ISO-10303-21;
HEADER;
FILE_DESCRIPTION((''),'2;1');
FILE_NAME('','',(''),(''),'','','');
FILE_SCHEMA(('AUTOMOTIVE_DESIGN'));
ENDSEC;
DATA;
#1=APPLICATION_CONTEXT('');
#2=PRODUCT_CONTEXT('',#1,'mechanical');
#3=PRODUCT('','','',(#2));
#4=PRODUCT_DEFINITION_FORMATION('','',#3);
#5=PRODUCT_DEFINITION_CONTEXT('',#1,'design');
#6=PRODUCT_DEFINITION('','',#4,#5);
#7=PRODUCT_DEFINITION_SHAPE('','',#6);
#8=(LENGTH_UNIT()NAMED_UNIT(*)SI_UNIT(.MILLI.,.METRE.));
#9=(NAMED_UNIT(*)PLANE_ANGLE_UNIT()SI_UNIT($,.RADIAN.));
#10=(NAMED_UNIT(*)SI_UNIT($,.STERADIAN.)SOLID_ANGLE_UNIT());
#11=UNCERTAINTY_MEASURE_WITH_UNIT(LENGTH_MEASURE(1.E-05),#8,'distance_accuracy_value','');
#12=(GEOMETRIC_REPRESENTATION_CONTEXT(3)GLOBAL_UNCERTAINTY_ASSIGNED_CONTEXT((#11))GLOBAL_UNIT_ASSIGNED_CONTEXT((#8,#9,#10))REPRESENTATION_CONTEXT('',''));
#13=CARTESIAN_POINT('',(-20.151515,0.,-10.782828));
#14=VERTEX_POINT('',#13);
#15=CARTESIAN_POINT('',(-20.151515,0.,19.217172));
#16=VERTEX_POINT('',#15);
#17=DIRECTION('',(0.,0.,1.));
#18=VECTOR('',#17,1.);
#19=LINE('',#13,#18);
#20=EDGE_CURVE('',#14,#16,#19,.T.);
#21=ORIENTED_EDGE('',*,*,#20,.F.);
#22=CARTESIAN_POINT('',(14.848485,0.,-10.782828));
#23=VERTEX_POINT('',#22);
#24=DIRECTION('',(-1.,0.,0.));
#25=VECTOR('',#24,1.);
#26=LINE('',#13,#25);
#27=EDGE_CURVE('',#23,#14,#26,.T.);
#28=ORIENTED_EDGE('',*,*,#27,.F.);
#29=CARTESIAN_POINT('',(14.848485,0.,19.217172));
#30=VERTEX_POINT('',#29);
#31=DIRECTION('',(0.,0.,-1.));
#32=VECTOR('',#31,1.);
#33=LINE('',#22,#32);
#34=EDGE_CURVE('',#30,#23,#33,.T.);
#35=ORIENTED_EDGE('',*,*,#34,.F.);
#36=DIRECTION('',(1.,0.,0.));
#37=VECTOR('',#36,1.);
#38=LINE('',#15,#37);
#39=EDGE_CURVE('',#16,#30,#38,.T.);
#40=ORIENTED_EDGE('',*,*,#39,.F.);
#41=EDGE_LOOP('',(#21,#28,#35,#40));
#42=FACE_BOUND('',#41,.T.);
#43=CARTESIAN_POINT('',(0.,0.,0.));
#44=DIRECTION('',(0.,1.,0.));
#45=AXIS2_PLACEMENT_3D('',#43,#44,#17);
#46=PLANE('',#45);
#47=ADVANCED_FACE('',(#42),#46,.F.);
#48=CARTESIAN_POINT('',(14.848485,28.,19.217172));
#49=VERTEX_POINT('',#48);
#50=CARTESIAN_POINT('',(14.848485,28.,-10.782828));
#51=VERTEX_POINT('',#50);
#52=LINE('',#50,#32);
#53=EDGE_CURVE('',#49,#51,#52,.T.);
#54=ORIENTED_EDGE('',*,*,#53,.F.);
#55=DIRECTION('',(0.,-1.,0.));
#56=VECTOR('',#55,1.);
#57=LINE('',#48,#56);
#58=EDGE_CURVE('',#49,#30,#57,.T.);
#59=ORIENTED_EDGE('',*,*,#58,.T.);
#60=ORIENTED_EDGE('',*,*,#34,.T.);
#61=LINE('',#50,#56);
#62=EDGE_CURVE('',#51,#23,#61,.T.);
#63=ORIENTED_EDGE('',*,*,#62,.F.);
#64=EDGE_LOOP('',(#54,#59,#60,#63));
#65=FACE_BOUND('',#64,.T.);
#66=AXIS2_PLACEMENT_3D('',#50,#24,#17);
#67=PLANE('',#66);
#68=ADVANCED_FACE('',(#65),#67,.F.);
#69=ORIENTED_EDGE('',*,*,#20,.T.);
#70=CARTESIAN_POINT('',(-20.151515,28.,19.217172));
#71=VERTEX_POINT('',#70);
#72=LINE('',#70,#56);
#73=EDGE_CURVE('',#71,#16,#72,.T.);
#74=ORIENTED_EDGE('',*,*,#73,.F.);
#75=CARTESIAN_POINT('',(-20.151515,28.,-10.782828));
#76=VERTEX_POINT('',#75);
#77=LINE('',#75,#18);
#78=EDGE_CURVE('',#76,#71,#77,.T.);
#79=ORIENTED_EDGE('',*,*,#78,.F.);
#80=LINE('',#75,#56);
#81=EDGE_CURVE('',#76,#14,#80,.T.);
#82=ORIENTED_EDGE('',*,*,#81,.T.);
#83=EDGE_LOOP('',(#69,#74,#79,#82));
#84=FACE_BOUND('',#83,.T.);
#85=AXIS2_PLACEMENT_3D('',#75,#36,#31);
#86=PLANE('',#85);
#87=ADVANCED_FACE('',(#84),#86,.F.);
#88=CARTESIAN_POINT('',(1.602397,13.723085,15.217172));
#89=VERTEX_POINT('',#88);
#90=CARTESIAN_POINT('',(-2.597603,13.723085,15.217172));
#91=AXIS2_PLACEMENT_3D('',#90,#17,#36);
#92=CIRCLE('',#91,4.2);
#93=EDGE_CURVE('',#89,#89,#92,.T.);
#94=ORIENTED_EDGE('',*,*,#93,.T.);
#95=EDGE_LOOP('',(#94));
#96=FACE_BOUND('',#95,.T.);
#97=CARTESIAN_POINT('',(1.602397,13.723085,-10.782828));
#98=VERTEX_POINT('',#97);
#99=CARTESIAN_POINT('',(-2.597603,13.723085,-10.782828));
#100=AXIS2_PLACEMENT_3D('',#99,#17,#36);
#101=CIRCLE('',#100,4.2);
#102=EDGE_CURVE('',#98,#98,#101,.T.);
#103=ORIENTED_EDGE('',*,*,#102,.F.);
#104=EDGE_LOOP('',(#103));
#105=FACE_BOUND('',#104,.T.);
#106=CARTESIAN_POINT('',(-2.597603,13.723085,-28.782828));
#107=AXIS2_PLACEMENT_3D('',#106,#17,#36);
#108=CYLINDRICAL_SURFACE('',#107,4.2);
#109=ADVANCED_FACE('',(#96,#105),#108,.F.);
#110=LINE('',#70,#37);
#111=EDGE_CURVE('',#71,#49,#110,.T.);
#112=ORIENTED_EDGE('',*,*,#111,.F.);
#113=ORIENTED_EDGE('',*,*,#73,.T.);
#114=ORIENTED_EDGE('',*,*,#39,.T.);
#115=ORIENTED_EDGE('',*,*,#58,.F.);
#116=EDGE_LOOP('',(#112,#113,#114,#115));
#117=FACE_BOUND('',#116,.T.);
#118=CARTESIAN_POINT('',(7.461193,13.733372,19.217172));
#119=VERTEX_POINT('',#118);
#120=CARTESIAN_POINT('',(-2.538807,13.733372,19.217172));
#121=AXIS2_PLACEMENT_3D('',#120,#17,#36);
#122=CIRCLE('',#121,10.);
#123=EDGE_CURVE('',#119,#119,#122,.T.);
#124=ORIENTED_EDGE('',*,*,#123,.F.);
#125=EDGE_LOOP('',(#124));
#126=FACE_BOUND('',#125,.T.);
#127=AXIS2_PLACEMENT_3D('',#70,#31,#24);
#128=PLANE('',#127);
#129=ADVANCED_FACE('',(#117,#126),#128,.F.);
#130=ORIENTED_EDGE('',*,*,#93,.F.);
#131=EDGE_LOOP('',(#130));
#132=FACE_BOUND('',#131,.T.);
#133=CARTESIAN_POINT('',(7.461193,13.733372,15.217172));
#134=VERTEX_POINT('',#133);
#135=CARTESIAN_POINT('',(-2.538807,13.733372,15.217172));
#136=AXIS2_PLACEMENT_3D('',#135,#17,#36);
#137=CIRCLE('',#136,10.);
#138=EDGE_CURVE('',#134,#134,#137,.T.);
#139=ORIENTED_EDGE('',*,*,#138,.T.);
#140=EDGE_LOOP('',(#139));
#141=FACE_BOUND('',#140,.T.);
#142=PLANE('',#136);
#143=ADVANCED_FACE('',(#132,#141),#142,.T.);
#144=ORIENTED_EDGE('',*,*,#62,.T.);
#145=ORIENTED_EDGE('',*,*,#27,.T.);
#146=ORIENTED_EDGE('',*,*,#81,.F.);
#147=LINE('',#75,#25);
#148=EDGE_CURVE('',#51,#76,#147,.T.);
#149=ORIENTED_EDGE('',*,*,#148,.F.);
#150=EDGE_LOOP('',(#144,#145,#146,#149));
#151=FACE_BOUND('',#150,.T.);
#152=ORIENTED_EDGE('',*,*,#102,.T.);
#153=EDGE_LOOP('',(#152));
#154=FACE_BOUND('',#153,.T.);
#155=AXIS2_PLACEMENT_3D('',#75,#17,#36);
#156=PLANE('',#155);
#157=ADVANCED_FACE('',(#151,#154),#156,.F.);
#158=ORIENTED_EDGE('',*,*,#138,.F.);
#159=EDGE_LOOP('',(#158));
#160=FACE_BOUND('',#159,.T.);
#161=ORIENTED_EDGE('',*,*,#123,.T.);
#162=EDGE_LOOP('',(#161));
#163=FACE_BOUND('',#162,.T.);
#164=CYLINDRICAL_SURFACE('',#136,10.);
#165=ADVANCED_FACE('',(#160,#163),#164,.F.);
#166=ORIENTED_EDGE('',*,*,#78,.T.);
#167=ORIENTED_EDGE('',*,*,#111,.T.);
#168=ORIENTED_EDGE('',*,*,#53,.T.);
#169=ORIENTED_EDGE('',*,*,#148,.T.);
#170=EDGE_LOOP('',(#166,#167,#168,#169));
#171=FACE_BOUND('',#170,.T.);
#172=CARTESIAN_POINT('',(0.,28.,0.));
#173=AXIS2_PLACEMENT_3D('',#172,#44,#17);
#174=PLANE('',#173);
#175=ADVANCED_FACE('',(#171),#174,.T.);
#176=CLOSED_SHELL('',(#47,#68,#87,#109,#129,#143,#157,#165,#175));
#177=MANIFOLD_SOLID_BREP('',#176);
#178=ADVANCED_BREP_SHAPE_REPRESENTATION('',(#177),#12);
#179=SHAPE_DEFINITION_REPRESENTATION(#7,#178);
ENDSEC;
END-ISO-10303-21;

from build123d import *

# Parameters (mm, degrees)
SKETCH1_W           = 35
SKETCH1_H           = 30
BOSS_EXTRUDE1_DEPTH = 28
SKETCH2_R           = 10
SKETCH2_R_2         = 4
CUT_EXTRUDE1_DEPTH  = 4
SKETCH4_R           = 4.2
CUT_EXTRUDE2_DEPTH  = 48


with BuildPart() as part:
    # Sketch1 → Boss-Extrude1 (new body)
    with BuildSketch(Plane(origin=(0, 0, 0), x_dir=(1, 0, 0), z_dir=(0, 1, 0))):
        with Locations((-2.651515152, -4.217171717)):
            Rectangle(SKETCH1_W, SKETCH1_H)
    extrude(amount=BOSS_EXTRUDE1_DEPTH)

    # Sketch2 → Cut-Extrude1 (cut)
    with BuildSketch(Plane.XY.offset(19.217171717)):
        with Locations((-2.538807386, 13.733372101)):
            Circle(SKETCH2_R)
        with Locations((-2.538807386, 13.733372101)):
            Circle(SKETCH2_R_2, mode=Mode.SUBTRACT)
    extrude(amount=-CUT_EXTRUDE1_DEPTH, mode=Mode.SUBTRACT)

    # Sketch4 → Cut-Extrude2 (cut)
    with BuildSketch(Plane.XY.offset(19.217171717)):
        with Locations((-2.597602696, 13.723084653)):
            Circle(SKETCH4_R)
    extrude(amount=-CUT_EXTRUDE2_DEPTH, mode=Mode.SUBTRACT)


solid = part.part
